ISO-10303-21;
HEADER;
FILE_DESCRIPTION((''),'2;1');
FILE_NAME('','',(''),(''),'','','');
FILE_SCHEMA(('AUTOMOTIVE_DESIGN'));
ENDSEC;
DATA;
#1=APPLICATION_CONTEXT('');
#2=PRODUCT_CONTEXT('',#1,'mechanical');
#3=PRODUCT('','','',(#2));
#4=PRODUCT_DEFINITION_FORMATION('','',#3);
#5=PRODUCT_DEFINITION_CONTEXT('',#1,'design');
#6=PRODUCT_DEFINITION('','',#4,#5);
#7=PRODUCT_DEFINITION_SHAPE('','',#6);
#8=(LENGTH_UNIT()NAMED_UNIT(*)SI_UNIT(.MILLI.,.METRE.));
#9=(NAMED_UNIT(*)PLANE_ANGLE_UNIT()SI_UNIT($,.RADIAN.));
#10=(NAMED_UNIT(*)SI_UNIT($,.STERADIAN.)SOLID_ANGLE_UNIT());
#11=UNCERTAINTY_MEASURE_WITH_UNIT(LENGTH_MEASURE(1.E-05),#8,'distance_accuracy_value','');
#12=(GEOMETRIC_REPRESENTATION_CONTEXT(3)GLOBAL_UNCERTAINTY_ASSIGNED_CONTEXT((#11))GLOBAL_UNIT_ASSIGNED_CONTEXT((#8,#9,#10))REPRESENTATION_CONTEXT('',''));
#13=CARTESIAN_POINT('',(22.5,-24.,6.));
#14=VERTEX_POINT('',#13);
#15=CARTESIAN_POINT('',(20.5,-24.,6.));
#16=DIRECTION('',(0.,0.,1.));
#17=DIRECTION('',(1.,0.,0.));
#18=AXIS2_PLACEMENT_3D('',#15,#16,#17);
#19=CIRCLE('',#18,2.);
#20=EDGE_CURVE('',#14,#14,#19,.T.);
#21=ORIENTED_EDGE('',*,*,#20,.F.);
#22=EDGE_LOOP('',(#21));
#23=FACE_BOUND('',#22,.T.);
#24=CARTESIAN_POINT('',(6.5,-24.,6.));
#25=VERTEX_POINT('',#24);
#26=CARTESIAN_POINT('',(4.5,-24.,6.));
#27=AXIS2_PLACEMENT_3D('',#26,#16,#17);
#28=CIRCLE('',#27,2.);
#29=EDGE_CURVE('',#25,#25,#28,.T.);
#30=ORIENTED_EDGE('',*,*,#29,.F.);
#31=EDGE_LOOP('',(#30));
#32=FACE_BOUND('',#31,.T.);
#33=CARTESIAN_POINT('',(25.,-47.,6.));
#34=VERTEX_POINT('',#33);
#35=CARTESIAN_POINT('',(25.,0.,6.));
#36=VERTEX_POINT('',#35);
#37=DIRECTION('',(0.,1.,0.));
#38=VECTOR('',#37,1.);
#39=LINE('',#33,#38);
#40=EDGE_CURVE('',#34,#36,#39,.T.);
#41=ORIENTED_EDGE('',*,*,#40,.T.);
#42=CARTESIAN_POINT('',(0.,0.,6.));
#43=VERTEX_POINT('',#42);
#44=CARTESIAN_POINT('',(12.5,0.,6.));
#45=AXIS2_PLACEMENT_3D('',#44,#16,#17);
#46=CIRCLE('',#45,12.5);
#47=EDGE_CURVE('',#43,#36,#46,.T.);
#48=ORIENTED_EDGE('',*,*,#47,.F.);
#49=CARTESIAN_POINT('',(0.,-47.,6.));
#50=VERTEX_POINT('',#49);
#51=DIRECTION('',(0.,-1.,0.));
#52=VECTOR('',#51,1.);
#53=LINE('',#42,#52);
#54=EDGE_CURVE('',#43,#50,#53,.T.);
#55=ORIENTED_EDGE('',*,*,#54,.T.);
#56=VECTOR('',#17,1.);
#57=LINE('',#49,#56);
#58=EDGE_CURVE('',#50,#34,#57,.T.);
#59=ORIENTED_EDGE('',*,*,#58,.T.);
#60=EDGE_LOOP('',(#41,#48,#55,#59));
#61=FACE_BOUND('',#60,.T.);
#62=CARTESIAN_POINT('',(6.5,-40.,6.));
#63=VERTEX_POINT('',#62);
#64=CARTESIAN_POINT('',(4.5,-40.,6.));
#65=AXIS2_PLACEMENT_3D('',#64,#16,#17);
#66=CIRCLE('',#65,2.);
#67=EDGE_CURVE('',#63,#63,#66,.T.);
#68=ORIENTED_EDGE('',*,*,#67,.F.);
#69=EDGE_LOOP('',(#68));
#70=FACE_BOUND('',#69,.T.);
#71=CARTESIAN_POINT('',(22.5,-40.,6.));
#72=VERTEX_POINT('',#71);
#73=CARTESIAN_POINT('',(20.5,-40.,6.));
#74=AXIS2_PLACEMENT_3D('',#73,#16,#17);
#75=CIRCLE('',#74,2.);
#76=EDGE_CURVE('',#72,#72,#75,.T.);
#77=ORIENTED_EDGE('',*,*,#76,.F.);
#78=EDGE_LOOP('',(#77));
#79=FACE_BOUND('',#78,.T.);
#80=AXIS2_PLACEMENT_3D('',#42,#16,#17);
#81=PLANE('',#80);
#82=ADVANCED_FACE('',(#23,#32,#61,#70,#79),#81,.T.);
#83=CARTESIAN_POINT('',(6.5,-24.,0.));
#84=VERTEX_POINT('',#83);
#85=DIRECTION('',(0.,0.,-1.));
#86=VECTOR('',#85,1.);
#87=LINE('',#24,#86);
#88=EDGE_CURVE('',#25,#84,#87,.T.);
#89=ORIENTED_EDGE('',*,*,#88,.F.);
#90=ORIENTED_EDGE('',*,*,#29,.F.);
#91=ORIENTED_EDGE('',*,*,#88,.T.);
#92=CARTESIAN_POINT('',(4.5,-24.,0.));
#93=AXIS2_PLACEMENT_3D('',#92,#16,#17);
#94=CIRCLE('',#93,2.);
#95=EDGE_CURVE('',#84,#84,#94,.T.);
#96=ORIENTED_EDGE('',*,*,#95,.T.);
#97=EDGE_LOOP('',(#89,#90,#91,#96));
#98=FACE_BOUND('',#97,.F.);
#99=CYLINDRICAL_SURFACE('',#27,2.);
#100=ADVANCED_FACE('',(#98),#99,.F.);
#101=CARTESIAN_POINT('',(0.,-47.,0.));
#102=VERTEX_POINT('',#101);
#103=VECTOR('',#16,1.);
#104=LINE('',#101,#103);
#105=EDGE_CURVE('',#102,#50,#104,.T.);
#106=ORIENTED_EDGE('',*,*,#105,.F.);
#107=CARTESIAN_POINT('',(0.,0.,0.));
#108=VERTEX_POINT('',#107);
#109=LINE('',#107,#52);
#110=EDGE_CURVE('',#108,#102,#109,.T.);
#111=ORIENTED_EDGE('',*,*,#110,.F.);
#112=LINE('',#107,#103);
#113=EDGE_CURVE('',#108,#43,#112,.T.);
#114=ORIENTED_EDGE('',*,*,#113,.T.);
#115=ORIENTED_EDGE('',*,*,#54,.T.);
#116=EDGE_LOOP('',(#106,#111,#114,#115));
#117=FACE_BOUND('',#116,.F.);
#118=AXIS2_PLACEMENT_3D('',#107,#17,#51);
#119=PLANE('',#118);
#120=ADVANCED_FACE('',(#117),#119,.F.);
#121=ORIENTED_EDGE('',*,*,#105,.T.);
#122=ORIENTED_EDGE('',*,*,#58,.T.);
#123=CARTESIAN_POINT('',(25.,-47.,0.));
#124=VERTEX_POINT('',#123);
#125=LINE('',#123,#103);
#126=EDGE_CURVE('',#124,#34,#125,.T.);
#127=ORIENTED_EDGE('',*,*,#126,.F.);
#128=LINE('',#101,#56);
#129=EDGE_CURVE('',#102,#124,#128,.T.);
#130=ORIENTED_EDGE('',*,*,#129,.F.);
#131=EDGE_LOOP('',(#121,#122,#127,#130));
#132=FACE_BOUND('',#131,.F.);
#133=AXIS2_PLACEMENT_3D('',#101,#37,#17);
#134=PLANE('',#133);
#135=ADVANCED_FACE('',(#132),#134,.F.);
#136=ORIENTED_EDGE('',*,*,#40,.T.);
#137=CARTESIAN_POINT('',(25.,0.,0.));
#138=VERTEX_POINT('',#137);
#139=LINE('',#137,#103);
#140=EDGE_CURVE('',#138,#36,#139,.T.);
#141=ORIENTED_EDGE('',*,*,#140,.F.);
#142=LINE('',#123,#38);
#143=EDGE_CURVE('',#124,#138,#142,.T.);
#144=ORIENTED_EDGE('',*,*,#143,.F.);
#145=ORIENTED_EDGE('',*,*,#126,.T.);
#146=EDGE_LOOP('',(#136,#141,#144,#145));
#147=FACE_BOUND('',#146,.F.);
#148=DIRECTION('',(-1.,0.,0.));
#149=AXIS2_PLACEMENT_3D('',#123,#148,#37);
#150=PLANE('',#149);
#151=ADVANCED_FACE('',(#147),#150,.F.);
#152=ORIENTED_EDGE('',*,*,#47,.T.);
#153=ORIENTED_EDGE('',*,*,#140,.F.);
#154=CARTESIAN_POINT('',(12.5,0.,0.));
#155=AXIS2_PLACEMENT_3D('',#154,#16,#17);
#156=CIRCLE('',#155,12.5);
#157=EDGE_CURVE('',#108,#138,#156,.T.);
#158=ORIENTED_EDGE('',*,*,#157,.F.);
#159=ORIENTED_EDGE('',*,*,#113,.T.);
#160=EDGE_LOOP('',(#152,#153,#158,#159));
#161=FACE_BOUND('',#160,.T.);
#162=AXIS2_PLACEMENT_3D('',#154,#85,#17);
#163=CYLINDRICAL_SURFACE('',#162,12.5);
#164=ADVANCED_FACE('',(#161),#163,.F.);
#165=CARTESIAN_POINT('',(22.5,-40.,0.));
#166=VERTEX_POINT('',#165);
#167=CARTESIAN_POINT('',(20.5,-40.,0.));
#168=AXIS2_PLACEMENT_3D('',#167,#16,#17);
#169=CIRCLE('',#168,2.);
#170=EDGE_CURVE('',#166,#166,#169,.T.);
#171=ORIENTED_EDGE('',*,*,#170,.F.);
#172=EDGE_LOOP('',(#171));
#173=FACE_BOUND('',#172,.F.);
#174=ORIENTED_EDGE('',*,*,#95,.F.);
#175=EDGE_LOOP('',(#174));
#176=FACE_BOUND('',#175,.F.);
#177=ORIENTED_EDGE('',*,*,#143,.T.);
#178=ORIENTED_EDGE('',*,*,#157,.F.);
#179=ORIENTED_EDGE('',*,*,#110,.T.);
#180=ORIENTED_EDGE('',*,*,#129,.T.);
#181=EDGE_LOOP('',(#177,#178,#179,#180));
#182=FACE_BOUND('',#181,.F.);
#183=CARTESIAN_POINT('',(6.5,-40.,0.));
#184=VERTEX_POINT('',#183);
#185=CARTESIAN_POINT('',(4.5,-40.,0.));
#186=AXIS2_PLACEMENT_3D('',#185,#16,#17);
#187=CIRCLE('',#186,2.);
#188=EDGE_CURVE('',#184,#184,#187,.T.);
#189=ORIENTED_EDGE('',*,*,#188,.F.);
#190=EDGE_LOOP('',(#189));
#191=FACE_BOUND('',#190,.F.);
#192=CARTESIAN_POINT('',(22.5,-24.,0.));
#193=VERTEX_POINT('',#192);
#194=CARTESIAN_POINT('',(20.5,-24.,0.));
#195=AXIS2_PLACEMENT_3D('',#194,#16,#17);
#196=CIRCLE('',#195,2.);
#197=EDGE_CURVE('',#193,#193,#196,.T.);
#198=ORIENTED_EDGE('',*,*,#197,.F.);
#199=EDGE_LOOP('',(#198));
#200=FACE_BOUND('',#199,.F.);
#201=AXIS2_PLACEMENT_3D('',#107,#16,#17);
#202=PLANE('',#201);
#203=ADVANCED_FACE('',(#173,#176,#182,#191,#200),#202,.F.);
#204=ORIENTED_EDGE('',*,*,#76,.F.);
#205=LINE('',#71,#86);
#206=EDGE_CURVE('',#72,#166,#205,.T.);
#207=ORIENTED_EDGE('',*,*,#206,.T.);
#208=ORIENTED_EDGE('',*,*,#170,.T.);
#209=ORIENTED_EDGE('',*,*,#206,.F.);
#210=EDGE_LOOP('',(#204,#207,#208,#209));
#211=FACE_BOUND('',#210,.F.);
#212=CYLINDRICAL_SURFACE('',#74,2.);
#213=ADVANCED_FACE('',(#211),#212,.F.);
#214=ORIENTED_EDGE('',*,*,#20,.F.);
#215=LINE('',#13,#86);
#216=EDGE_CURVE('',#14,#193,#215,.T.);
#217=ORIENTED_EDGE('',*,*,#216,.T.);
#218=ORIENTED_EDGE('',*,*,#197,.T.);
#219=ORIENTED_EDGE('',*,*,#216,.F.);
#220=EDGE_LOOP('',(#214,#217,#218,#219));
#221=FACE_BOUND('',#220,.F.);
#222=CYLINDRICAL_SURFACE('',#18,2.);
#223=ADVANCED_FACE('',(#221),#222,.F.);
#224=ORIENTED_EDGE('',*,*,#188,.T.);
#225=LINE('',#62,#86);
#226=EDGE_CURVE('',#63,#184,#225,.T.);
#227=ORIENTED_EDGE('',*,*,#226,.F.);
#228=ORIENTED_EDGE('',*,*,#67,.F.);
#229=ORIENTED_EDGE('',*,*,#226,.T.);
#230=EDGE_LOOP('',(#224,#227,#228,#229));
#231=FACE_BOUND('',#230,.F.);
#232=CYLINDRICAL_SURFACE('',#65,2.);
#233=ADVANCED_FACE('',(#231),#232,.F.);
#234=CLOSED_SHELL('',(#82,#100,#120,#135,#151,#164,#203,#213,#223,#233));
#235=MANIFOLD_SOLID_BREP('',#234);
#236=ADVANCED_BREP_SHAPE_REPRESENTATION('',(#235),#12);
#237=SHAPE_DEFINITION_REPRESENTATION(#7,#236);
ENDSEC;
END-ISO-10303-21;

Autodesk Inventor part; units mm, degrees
ref_plane "YZ Plane" through (0, 0, 0) normal (1, 0, 0) x (0, 1, 0)
ref_plane "XZ Plane" through (0, 0, 0) normal (0, 1, 0) x (-1, 0, 0)
ref_plane "XY Plane" through (0, 0, 0) normal (0, 0, 1) x (1, 0, 0)
sketch "Sketch1" plane through (0, 0, 0) normal (0, 0, 1) x (1, 0, 0)
  line L0 (0, 0) -> (25, 0)
  line L1 (0, 0) -> (0, -47)
  line L2 (0, -47) -> (25, -47)
  line L3 (25, -47) -> (25, 0)
  circle A0 centre (12.5, 0) radius 12.5
  dimension "d0" = 25
  dimension "d1" = 47
extrude "Extrusion1" add sketch "Sketch1" along normal blind 6 contours A0 L3 L2 L1
sketch "Sketch2" plane through (0, 0, 6) normal (0, 0, 1) x (1, 0, 0)
  circle A0 centre (4.5, -24) radius 2
  circle A1 centre (20.5, -24) radius 2
  circle A2 centre (4.5, -40) radius 2
  circle A3 centre (20.5, -40) radius 2
  line L0 (0, -47) -> (25, -47) projected
  line L1 (0, 0) -> (0, -47) projected
  line L2 (25, -47) -> (25, 0) projected
  dimension "d16" = 4
  dimension "d17" = 4
  dimension "d18" = 4
  dimension "d19" = 4
  dimension "d20" = 7
  dimension "d21" = 7
  dimension "d22" = 16
  dimension "d23" = 16
  dimension "d25" = 4.5
  dimension "d26" = 4.5
  dimension "d27" = 4.5
  dimension "d28" = 4.5
extrude "Extrusion2" cut sketch "Sketch2" against normal through all
thread "Thread1" size "M4x0.7" class "6H" standard "ANSI Metric M Profile" length 36
thread "Thread2" size "M4x0.7" class "6H" standard "ANSI Metric M Profile" length 36
thread "Thread3" size "M4x0.7" class "6H" standard "ANSI Metric M Profile" length 36
thread "Thread4" size "M4x0.7" class "6H" standard "ANSI Metric M Profile" length 36
properties part number "Clamp"
